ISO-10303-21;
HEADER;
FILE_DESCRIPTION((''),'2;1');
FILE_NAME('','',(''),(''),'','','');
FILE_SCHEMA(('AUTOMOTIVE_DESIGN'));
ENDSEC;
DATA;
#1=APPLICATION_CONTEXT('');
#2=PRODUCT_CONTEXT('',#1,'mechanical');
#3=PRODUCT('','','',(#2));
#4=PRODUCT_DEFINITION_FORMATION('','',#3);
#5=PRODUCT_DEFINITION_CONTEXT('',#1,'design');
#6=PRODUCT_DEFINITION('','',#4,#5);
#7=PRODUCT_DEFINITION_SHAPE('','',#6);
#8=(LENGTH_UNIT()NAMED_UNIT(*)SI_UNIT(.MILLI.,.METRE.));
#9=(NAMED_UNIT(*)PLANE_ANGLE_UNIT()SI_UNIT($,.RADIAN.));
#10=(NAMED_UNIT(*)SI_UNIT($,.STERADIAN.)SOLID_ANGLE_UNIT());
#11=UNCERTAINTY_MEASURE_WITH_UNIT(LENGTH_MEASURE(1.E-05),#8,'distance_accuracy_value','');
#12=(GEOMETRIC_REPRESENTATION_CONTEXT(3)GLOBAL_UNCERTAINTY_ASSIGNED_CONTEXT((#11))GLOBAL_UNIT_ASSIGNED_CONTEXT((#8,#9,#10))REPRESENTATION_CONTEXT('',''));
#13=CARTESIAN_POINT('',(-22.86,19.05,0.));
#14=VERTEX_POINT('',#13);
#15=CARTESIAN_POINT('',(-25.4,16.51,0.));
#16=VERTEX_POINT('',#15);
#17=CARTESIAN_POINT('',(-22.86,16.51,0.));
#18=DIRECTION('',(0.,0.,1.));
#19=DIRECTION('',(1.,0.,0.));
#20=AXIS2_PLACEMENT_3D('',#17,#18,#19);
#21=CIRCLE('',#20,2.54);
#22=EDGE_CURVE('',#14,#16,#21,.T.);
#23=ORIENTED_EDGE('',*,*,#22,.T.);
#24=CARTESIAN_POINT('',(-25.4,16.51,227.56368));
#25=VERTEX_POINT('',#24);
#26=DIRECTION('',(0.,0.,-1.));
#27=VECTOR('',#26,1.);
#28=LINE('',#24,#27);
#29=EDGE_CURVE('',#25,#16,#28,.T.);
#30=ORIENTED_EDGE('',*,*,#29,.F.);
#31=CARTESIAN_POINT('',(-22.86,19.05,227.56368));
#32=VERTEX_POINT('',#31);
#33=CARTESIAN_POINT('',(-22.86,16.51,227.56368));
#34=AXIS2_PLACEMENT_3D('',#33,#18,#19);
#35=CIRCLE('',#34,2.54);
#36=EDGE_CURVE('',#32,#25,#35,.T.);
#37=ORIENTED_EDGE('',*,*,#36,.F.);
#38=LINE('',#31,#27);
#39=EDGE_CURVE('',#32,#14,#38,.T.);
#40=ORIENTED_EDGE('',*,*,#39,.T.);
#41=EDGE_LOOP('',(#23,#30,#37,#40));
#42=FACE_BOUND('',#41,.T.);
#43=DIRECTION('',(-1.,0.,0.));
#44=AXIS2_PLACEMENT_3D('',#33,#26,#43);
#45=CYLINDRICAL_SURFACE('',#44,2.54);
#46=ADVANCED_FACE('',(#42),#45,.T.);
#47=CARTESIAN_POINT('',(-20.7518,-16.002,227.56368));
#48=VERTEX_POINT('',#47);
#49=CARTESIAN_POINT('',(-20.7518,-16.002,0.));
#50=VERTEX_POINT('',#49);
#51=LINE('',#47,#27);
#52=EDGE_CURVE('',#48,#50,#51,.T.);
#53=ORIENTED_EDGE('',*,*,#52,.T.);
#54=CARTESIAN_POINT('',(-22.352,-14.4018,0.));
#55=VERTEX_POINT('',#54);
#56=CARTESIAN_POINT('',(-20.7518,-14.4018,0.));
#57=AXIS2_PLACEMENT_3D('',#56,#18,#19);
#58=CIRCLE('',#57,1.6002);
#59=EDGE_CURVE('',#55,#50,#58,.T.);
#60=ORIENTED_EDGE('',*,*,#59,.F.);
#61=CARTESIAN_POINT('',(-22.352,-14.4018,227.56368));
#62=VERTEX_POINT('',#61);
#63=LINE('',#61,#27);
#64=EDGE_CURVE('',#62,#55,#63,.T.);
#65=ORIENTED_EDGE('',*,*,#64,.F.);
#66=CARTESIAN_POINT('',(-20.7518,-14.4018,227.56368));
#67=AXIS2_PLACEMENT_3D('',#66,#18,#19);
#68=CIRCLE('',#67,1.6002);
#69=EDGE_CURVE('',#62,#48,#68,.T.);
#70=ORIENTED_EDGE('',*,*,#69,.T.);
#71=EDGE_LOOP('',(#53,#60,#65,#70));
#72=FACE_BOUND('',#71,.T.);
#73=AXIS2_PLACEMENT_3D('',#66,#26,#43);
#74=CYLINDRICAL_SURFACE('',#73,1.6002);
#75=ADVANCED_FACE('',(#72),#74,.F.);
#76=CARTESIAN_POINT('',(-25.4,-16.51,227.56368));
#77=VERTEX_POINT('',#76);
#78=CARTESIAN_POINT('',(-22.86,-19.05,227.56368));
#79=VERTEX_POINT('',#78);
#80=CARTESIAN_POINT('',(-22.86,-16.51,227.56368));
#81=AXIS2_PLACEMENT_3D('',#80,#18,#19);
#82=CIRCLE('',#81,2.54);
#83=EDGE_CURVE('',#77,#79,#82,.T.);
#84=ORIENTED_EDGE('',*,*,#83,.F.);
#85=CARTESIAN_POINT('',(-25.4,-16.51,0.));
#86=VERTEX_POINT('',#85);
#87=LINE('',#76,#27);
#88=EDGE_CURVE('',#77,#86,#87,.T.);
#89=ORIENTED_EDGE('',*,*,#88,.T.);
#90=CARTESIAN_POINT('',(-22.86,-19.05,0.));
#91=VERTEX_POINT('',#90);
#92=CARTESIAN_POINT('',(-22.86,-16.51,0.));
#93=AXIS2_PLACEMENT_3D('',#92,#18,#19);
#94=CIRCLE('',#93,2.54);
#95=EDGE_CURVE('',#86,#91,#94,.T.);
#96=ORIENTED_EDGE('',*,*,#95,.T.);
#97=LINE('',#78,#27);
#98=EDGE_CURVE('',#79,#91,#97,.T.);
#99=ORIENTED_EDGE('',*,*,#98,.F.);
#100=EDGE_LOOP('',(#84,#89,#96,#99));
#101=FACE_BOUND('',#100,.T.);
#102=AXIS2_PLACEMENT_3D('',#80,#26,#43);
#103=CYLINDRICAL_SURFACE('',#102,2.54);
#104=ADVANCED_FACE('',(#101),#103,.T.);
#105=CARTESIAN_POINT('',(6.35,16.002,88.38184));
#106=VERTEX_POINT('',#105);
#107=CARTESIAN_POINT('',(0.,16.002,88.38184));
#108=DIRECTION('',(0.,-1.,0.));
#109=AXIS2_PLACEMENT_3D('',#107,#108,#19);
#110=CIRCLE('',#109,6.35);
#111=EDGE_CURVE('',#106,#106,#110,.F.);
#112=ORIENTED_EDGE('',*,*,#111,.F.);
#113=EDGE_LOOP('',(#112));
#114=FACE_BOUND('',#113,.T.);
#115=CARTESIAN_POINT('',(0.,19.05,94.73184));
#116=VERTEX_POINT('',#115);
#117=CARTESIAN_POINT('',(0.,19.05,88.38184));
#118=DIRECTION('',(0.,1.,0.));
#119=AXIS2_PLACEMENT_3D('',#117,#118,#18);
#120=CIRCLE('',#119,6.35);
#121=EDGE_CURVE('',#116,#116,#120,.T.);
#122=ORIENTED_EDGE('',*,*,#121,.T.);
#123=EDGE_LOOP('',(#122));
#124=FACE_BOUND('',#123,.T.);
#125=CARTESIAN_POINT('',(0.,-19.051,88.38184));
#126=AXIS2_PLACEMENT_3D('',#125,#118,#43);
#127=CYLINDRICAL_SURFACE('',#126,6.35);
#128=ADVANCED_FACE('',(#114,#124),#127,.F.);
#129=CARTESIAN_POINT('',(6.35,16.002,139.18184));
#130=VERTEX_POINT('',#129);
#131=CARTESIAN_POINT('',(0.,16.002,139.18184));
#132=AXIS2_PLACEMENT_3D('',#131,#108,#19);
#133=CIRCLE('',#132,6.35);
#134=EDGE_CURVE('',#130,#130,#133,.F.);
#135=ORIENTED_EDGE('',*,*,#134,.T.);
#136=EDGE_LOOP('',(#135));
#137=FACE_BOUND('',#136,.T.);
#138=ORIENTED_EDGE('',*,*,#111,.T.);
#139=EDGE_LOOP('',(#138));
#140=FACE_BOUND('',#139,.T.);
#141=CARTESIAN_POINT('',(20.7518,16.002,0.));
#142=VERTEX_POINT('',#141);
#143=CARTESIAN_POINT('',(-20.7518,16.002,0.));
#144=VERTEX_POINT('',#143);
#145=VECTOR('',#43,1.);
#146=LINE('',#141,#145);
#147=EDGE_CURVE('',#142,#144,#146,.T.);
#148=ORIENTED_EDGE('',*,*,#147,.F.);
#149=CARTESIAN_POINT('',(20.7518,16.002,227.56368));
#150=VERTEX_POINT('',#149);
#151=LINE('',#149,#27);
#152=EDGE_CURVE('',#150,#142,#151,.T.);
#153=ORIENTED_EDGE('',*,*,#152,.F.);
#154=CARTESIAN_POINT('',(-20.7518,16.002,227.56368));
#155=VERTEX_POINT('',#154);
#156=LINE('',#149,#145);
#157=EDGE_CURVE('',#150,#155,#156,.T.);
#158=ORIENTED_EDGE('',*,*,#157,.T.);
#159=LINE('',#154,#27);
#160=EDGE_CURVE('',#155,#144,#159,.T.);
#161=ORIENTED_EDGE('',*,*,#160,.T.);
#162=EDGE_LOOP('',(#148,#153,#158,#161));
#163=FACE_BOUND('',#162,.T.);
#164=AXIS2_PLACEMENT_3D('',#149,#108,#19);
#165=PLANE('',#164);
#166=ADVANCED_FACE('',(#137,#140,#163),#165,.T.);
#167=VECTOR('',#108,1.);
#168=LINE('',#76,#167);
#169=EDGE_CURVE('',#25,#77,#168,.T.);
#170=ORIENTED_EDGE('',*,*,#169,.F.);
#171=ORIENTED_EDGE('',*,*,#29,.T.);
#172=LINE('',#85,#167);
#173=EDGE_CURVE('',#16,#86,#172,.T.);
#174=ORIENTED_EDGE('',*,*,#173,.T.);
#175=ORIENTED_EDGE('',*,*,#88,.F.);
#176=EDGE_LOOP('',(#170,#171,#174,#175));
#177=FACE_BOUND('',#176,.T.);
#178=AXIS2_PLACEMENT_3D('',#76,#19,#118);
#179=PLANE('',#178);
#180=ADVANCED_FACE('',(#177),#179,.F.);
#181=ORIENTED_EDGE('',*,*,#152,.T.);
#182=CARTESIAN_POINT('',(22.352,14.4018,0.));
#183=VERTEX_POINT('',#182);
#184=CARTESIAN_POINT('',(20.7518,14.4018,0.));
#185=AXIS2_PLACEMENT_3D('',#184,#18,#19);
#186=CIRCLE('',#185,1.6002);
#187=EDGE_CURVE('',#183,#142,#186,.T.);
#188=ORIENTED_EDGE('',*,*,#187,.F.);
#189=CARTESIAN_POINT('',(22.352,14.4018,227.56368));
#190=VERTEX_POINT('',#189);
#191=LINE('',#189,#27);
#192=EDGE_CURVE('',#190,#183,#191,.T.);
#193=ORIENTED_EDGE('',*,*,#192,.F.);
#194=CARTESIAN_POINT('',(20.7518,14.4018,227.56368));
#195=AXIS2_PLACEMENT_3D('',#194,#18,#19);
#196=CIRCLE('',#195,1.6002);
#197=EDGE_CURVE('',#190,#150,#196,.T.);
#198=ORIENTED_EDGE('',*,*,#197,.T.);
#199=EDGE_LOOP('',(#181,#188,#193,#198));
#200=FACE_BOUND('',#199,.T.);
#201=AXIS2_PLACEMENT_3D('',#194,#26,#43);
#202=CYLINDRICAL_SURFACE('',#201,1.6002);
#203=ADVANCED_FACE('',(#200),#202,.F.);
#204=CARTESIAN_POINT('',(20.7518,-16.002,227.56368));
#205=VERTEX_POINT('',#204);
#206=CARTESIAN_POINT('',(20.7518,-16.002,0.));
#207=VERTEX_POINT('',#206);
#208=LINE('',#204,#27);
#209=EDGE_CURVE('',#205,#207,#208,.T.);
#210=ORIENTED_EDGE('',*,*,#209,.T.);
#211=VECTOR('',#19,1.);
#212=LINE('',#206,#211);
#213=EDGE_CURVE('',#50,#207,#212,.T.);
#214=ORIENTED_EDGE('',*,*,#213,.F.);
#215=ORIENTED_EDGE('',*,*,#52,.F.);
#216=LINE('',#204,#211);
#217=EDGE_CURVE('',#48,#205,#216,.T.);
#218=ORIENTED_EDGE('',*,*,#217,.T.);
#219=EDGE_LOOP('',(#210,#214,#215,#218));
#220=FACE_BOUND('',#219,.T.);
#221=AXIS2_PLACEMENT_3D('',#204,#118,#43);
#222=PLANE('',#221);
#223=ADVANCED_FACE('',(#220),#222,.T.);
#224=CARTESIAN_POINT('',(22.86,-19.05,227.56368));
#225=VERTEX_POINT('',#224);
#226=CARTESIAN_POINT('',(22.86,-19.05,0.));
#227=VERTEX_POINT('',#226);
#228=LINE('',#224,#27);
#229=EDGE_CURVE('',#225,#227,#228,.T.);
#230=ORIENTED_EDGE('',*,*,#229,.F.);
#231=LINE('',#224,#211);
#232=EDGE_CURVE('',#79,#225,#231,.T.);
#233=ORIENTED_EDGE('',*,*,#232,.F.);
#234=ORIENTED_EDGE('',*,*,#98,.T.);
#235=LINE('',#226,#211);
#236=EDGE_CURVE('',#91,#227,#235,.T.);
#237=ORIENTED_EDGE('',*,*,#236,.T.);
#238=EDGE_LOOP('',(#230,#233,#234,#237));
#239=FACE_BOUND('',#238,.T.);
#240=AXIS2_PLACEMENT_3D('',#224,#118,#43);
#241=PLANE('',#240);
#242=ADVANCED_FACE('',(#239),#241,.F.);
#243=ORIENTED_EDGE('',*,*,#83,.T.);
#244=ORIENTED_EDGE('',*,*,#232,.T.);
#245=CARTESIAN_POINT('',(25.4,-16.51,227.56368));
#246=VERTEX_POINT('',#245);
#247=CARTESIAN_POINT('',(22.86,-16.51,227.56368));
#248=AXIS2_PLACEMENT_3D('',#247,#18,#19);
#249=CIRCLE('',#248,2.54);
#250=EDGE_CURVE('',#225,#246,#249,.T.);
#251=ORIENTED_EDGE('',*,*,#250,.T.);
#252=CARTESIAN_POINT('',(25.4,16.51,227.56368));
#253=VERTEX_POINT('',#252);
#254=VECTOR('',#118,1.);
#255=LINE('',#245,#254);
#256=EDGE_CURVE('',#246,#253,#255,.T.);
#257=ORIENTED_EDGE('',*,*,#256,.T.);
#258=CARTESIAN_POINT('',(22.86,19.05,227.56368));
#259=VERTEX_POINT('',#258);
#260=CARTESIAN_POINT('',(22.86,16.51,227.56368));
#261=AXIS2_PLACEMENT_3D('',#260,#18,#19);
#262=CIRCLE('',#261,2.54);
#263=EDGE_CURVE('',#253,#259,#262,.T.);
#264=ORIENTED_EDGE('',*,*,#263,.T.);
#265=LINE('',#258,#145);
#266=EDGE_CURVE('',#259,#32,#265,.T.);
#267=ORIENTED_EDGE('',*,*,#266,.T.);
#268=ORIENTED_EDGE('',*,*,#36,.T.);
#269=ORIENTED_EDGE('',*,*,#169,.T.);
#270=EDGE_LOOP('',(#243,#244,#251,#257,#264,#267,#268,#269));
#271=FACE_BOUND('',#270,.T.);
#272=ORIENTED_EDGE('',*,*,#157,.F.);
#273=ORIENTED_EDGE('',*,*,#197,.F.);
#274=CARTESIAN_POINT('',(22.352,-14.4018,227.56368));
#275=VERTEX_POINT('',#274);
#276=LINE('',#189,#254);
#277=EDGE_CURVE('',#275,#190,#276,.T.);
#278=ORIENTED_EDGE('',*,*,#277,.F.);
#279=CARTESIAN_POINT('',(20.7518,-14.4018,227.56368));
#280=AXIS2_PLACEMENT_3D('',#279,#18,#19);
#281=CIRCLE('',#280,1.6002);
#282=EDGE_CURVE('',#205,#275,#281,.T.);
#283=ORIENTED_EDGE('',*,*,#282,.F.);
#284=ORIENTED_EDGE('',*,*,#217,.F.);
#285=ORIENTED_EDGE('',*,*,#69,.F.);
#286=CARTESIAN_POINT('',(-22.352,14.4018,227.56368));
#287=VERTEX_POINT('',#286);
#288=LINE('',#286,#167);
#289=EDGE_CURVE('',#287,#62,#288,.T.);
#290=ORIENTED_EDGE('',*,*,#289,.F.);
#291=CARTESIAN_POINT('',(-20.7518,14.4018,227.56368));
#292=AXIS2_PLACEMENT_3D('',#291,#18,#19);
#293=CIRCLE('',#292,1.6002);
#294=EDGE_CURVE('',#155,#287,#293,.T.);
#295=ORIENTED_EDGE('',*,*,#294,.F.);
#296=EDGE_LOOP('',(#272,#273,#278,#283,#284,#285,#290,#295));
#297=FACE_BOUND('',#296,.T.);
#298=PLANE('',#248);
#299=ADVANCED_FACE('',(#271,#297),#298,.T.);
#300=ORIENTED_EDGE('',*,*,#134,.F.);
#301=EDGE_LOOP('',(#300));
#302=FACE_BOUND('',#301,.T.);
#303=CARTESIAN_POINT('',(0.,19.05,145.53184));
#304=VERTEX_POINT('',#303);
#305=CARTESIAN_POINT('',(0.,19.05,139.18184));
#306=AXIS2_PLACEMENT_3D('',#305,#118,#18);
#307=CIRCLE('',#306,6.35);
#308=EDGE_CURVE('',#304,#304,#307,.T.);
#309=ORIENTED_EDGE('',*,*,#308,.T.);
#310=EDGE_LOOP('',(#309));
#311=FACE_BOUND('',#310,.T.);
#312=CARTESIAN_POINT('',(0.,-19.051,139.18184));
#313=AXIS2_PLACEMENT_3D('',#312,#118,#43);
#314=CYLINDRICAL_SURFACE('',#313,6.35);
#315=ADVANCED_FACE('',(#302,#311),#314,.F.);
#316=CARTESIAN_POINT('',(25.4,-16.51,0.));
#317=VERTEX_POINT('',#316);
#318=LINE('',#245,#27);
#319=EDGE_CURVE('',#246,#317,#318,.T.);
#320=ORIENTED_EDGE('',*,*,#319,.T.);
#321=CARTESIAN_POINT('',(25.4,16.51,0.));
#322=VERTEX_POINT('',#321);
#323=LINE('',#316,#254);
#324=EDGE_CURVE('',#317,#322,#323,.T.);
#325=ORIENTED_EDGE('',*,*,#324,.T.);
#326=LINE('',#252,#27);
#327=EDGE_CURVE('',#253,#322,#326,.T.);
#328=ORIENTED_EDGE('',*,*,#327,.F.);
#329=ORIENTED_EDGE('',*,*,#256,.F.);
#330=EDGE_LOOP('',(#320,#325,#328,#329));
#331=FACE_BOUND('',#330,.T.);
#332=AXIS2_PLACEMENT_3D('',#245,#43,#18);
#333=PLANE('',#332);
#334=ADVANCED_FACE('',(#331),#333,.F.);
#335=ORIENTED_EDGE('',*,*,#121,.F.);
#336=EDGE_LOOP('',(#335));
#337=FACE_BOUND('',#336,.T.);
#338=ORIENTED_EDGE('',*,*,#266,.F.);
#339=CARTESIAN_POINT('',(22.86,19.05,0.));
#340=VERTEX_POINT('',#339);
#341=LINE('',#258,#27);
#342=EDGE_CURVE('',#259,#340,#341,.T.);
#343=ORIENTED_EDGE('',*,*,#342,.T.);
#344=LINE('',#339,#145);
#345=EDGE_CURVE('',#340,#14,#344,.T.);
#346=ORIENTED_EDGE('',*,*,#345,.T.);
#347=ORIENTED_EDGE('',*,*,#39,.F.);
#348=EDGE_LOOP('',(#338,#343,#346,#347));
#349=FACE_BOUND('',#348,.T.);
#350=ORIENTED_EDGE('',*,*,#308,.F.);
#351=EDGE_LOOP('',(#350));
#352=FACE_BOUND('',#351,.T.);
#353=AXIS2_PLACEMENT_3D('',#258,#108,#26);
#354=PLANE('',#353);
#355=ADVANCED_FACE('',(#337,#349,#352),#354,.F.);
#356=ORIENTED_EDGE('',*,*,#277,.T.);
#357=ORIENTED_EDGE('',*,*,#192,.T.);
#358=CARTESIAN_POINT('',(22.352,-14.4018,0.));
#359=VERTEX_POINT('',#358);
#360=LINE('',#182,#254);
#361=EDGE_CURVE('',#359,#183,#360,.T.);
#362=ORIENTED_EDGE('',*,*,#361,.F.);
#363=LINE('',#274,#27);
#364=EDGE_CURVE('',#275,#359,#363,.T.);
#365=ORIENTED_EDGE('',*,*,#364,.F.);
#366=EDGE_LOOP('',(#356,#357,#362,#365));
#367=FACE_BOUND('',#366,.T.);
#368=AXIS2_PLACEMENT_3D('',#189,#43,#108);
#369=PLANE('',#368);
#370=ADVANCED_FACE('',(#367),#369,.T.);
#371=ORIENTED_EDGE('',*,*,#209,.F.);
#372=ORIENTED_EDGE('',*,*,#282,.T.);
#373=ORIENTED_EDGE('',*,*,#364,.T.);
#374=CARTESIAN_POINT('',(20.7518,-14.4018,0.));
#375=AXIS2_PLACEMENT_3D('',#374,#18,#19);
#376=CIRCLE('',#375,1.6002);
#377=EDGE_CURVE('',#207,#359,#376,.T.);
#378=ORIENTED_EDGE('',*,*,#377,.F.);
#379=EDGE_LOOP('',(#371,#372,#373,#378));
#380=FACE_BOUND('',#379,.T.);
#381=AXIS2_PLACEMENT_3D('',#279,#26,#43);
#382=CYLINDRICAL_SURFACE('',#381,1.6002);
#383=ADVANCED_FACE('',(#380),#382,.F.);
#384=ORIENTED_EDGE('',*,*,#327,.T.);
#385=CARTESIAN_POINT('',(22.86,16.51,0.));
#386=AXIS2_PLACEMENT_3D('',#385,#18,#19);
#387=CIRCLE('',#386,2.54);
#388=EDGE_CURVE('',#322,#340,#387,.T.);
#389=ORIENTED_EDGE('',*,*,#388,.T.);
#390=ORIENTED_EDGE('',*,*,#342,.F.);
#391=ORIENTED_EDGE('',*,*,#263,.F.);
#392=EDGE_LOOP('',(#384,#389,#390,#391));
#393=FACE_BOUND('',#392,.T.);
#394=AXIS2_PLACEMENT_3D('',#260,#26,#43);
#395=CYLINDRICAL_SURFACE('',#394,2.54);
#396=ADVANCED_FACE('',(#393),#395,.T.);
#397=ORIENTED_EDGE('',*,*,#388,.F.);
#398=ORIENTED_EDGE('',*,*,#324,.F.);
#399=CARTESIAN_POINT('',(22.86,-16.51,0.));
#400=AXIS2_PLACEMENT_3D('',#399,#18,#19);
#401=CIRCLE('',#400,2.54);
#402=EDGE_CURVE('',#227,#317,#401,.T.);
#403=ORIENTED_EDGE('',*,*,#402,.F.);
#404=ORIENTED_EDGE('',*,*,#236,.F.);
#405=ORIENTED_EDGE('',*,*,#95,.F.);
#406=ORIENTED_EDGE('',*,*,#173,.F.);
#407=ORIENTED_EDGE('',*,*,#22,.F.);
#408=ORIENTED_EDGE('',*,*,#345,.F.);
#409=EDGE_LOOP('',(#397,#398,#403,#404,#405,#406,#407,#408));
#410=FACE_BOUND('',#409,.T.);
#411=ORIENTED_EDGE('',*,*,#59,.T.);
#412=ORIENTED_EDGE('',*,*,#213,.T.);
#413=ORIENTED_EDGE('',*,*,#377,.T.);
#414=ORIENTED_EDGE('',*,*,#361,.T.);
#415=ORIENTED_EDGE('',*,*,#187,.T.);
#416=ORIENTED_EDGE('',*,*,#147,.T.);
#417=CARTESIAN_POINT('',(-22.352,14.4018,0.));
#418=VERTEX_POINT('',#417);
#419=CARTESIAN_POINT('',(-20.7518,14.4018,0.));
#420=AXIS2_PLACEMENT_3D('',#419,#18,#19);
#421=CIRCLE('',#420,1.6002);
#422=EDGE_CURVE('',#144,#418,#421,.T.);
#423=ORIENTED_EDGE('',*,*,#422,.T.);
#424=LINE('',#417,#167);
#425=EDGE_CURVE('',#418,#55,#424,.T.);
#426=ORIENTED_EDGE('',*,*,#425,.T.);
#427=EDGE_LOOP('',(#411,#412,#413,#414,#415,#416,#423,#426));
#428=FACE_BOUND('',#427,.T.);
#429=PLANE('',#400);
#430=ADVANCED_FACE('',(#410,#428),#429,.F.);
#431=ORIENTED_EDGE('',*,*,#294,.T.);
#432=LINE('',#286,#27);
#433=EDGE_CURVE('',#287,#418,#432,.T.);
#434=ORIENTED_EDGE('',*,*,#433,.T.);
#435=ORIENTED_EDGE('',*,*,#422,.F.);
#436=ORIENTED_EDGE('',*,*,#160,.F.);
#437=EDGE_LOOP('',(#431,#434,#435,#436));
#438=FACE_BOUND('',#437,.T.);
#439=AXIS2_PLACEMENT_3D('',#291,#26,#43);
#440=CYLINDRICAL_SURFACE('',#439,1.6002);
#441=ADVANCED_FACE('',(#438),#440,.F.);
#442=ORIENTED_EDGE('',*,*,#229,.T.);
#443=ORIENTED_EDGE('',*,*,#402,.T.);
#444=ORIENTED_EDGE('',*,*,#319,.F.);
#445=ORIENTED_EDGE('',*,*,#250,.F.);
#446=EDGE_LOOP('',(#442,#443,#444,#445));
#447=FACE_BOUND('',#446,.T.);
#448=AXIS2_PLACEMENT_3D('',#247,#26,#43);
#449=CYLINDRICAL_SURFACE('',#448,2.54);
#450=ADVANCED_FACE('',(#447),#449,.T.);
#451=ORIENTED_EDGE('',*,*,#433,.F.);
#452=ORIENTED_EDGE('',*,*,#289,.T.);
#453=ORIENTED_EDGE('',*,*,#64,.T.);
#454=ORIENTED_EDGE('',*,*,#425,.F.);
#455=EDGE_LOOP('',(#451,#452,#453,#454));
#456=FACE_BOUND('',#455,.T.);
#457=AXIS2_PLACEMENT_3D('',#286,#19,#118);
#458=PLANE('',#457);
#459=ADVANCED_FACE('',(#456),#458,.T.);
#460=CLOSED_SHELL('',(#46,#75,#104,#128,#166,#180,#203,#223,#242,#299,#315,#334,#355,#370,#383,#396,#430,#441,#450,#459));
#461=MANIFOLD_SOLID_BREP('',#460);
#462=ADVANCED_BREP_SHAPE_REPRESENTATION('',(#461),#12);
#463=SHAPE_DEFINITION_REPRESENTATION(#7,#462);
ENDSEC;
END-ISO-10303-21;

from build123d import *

# Parameters (mm, degrees)
BOSS_EXTRUDE1_DEPTH = 227.56368
SKETCH9_R           = 6.35
CUT_EXTRUDE2_DEPTH  = 3.048


with BuildPart() as part:
    # Sketch4 → Boss-Extrude1 (new body)
    with BuildSketch(Plane.XY):
        with BuildLine():
            Line((25.4, -16.51), (25.4, 16.51))
            ThreePointArc((25.4, 16.51), (24.656051224, 18.306051224), (22.86, 19.05))
            Line((22.86, 19.05), (-22.86, 19.05))
            ThreePointArc((-22.86, 19.05), (-24.656051224, 18.306051224), (-25.4, 16.51))
            Line((-25.4, 16.51), (-25.4, -16.51))
            ThreePointArc((-25.4, -16.51), (-24.656051224, -18.306051224), (-22.86, -19.05))
            Line((-22.86, -19.05), (22.86, -19.05))
            ThreePointArc((22.86, -19.05), (24.656051224, -18.306051224), (25.4, -16.51))
        make_face()
        with BuildLine():
            Line((22.352, 14.4018), (22.352, -14.4018))
            ThreePointArc((22.352, -14.4018), (21.883312271, -15.533312271), (20.7518, -16.002))
            Line((20.7518, -16.002), (-20.7518, -16.002))
            ThreePointArc((-20.7518, -16.002), (-21.883312271, -15.533312271), (-22.352, -14.4018))
            Line((-22.352, -14.4018), (-22.352, 14.4018))
            ThreePointArc((-22.352, 14.4018), (-21.883312271, 15.533312271), (-20.7518, 16.002))
            Line((-20.7518, 16.002), (20.7518, 16.002))
            ThreePointArc((20.7518, 16.002), (21.883312271, 15.533312271), (22.352, 14.4018))
        make_face(mode=Mode.SUBTRACT)
    extrude(amount=BOSS_EXTRUDE1_DEPTH)

    # Sketch9 → Cut-Extrude2 (cut)
    with BuildSketch(Plane(origin=(0, 19.05, 0), x_dir=(1, 0, 0), z_dir=(0, 1, 0))):
        with Locations((0, -139.18184)):
            Circle(SKETCH9_R)
        with Locations((0, -88.38184)):
            Circle(SKETCH9_R)
    extrude(amount=-CUT_EXTRUDE2_DEPTH, mode=Mode.SUBTRACT)


solid = part.part
